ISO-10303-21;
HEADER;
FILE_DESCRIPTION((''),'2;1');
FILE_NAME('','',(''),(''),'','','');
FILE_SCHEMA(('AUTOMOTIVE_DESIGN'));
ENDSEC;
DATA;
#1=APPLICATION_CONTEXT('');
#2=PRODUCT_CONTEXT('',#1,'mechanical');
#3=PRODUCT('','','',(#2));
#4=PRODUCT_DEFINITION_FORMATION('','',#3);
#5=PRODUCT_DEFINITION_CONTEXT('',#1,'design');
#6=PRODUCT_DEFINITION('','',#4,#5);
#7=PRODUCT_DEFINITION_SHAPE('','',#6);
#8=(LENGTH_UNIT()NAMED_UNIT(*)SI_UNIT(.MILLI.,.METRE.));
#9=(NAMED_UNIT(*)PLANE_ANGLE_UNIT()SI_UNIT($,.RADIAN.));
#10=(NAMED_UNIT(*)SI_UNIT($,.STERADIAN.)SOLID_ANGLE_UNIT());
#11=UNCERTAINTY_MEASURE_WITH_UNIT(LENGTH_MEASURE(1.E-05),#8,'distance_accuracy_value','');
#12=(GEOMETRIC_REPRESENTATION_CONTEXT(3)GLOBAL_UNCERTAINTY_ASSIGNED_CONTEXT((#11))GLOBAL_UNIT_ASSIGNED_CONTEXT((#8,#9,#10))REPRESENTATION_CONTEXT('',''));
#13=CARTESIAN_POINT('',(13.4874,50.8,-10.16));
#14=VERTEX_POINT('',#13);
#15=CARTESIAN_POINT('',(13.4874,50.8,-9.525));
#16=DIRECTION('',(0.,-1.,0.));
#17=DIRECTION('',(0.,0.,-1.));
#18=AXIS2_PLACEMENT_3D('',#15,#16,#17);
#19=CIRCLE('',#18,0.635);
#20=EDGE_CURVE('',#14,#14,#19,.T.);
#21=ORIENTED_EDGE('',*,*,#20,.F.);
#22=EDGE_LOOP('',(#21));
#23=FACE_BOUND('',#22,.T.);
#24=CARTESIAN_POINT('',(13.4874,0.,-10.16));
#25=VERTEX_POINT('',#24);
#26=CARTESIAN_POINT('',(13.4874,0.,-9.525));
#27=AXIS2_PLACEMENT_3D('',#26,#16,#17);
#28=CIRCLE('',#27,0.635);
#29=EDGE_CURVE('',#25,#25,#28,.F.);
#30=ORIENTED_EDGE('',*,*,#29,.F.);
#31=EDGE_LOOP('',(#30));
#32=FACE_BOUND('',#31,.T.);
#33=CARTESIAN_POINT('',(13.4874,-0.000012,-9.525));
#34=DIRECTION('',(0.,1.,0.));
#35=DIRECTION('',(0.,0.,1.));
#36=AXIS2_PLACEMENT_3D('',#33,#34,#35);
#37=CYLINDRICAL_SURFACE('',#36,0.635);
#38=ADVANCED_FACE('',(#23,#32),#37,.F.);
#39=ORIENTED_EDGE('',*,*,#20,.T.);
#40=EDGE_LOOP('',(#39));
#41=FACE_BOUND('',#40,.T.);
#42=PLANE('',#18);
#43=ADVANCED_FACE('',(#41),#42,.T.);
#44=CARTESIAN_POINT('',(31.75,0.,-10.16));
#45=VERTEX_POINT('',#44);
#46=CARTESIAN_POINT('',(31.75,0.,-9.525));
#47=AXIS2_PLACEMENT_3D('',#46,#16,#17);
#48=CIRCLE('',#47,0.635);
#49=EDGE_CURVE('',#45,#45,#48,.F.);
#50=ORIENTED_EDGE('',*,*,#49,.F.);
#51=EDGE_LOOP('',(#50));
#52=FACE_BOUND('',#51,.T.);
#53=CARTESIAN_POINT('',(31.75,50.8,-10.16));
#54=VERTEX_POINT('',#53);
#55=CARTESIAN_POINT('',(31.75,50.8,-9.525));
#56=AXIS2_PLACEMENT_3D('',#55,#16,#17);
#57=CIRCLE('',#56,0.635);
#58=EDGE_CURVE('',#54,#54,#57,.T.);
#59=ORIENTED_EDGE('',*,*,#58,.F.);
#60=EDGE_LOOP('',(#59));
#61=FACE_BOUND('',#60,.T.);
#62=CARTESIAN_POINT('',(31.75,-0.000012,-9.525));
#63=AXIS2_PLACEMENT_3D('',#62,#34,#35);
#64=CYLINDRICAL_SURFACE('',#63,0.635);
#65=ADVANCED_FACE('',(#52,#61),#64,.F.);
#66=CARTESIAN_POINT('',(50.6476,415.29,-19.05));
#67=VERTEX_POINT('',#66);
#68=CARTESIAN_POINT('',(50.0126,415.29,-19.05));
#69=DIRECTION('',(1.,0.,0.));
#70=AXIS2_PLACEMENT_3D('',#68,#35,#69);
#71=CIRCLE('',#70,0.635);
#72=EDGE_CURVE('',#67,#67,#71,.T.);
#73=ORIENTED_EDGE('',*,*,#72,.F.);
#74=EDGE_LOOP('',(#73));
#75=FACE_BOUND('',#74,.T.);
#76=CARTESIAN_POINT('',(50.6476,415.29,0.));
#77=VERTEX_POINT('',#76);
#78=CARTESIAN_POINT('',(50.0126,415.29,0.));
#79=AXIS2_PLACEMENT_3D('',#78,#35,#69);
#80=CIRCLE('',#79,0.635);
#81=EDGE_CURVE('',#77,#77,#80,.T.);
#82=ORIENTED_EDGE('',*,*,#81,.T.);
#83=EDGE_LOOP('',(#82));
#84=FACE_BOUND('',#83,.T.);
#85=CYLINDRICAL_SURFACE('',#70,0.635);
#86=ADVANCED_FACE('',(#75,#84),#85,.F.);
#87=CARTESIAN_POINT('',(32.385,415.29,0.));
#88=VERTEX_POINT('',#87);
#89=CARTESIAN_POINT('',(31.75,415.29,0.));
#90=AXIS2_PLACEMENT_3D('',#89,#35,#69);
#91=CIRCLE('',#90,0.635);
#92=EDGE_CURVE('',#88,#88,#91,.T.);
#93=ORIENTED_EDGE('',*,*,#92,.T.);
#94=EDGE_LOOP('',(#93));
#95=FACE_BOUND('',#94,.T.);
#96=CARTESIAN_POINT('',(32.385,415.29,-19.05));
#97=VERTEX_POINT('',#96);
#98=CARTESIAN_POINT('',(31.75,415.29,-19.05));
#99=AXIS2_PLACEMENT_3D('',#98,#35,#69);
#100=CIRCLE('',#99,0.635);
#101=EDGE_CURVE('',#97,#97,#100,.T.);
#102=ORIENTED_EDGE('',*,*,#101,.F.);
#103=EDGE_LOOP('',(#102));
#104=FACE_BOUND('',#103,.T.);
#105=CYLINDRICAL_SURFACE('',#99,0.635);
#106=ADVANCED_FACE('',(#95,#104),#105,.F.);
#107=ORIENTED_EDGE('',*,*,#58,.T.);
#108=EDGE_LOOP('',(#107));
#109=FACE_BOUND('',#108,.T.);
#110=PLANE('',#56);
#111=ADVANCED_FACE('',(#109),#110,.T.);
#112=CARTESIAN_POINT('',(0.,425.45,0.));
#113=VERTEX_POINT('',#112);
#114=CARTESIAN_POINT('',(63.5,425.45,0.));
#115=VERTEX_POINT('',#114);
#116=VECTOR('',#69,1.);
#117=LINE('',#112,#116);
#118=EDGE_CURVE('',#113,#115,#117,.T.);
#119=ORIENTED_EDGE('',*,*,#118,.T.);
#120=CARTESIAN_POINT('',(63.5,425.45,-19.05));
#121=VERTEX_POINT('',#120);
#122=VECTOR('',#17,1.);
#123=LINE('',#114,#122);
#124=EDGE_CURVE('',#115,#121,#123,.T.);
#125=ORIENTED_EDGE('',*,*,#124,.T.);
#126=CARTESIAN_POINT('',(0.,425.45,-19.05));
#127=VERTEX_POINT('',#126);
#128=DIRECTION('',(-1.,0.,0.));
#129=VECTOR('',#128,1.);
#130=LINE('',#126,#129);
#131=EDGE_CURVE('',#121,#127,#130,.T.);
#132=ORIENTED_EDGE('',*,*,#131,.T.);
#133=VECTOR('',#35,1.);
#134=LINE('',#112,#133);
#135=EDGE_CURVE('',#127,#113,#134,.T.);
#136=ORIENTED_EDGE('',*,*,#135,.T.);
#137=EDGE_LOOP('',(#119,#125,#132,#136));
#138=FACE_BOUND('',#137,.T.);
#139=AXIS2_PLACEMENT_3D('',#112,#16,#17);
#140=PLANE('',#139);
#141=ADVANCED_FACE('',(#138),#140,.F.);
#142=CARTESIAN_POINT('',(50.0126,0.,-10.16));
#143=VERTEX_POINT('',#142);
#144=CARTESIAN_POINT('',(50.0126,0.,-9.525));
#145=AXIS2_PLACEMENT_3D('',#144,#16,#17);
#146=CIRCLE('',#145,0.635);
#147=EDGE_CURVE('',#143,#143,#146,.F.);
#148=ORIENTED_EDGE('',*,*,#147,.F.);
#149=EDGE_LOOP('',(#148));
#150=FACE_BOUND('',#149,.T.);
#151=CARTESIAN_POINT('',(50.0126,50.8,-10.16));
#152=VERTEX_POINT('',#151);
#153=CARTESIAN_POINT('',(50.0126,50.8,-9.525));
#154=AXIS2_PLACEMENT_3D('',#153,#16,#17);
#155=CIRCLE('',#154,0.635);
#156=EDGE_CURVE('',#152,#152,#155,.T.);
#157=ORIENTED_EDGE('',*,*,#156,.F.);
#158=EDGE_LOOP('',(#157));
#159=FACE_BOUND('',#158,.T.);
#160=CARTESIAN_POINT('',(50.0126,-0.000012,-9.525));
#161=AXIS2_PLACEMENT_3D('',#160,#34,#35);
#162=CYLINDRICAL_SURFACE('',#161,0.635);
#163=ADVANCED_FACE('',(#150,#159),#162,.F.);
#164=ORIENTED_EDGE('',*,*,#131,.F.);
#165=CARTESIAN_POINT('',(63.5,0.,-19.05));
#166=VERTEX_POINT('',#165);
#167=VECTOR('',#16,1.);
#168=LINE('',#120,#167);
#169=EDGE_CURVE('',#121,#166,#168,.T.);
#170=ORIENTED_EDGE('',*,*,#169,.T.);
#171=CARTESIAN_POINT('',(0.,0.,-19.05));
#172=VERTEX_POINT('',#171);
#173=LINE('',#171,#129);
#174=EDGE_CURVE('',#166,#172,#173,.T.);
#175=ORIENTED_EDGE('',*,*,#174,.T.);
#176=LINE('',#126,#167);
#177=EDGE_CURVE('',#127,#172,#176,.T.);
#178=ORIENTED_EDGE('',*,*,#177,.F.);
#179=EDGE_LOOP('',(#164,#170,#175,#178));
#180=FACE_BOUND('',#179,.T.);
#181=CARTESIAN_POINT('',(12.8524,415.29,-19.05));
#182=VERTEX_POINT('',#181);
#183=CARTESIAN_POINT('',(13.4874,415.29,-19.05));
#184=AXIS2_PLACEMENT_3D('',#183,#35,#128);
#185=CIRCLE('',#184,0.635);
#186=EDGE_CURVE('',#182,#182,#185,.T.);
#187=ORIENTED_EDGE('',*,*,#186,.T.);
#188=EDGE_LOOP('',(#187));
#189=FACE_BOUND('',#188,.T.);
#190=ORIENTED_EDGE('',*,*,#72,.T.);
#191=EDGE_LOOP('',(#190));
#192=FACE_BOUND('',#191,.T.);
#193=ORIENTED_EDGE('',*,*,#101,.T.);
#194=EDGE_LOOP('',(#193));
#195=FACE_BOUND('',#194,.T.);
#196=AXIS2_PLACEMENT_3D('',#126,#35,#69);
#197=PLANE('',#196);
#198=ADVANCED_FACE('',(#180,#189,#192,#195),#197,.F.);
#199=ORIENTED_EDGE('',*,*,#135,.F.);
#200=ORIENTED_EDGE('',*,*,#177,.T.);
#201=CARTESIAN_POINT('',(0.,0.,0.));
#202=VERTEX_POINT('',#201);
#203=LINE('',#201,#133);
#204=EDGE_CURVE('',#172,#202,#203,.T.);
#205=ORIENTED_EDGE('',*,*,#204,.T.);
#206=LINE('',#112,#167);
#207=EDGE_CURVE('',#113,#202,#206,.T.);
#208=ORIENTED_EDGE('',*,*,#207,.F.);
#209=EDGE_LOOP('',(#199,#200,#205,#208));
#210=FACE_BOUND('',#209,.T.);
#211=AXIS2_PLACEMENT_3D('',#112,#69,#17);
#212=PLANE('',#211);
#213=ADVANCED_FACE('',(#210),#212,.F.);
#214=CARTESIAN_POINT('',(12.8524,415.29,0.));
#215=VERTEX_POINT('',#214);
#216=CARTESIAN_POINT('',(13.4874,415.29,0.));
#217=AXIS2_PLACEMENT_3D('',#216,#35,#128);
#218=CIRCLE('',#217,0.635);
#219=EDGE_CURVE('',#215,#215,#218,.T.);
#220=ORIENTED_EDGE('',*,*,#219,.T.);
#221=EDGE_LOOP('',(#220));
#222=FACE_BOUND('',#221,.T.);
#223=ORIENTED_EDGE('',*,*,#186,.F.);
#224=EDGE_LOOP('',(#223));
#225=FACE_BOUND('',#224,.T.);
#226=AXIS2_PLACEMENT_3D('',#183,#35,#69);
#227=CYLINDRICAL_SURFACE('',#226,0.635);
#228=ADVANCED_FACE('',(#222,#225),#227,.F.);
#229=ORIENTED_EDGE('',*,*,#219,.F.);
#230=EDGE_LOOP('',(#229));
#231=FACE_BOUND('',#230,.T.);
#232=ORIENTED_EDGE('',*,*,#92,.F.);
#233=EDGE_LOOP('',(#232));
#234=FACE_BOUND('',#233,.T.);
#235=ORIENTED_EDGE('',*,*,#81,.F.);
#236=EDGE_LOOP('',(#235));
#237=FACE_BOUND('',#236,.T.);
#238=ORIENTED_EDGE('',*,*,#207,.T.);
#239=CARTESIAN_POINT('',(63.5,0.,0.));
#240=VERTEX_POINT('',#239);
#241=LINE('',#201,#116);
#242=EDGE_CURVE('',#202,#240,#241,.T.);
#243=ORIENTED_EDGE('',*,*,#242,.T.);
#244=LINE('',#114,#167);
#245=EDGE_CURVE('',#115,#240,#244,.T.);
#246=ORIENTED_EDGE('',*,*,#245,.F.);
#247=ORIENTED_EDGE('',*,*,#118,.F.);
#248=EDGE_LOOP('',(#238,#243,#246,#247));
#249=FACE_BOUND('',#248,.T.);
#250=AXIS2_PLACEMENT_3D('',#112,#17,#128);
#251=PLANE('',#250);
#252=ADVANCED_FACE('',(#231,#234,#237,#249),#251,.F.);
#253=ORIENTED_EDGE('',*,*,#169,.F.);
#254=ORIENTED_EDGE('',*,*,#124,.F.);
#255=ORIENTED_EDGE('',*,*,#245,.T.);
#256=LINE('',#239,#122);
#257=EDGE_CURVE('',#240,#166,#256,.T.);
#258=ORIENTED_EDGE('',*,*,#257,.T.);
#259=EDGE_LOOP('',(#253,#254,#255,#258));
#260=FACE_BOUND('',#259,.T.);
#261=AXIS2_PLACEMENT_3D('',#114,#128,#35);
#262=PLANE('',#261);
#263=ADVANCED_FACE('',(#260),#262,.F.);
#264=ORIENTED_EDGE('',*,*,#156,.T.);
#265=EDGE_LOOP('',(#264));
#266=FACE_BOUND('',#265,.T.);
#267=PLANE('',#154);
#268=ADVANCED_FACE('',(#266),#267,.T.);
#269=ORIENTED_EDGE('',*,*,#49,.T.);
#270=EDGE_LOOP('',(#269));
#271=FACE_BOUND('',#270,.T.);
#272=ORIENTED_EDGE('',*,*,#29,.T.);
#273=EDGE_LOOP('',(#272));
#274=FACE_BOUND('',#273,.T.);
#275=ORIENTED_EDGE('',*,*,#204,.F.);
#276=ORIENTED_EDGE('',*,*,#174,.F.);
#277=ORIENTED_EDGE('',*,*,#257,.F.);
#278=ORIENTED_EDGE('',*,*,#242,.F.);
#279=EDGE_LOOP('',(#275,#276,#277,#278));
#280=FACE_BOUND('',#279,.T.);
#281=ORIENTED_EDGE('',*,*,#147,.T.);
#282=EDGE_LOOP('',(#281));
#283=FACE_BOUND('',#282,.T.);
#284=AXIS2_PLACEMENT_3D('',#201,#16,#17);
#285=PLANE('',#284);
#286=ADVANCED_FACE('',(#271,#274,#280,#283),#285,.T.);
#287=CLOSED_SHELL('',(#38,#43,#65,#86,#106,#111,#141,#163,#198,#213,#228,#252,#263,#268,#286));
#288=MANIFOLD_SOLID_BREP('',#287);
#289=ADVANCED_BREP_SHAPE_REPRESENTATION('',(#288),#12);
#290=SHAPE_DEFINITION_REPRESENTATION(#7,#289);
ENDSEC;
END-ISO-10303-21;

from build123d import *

# Parameters (mm, degrees)
SKETCH2_W               = 63.5
SKETCH2_H               = 19.05
BOSS_EXTRUDE1_DEPTH     = 425.45
CUT_EXTRUDE1_DEPTH      = 431.584318107
CUT_EXTRUDE1_DEPTH_BACK = 50.8
SKETCH3_R               = 0.635
SKETCH4_R               = 0.635
CUT_EXTRUDE2_DEPTH      = 431.584318107


with BuildPart() as part:
    # Sketch2 → Boss-Extrude1 (new body)
    with BuildSketch(Plane(origin=(0, 0, 0), x_dir=(1, 0, 0), z_dir=(0, 1, 0))):
        with Locations((31.75, 9.525)):
            Rectangle(SKETCH2_W, SKETCH2_H)
    extrude(amount=BOSS_EXTRUDE1_DEPTH)

    # Sketch3 → Cut-Extrude1 (cut, two sides: drawn at the far end of the back side and taken through both)
    with BuildSketch(Plane.XZ.offset(-CUT_EXTRUDE1_DEPTH_BACK)):
        with Locations(Location((13.4874, -9.525, 0), (0, 0, 270))):
            Circle(SKETCH3_R)
        with Locations(Location((31.75, -9.525, 0), (0, 0, 270))):
            Circle(SKETCH3_R)
        with Locations(Location((50.0126, -9.525, 0), (0, 0, 270))):
            Circle(SKETCH3_R)
    extrude(amount=CUT_EXTRUDE1_DEPTH + CUT_EXTRUDE1_DEPTH_BACK, mode=Mode.SUBTRACT)

    # Sketch4 → Cut-Extrude2 (cut, through all)
    with BuildSketch(Plane.XY):
        with Locations((31.75, 415.29)):
            Circle(SKETCH4_R)
        with Locations((50.0126, 415.29)):
            Circle(SKETCH4_R)
        with Locations(Location((13.4874, 415.29, 0), (0, 0, 180))):
            Circle(SKETCH4_R)
    extrude(amount=-CUT_EXTRUDE2_DEPTH, mode=Mode.SUBTRACT)


solid = part.part
